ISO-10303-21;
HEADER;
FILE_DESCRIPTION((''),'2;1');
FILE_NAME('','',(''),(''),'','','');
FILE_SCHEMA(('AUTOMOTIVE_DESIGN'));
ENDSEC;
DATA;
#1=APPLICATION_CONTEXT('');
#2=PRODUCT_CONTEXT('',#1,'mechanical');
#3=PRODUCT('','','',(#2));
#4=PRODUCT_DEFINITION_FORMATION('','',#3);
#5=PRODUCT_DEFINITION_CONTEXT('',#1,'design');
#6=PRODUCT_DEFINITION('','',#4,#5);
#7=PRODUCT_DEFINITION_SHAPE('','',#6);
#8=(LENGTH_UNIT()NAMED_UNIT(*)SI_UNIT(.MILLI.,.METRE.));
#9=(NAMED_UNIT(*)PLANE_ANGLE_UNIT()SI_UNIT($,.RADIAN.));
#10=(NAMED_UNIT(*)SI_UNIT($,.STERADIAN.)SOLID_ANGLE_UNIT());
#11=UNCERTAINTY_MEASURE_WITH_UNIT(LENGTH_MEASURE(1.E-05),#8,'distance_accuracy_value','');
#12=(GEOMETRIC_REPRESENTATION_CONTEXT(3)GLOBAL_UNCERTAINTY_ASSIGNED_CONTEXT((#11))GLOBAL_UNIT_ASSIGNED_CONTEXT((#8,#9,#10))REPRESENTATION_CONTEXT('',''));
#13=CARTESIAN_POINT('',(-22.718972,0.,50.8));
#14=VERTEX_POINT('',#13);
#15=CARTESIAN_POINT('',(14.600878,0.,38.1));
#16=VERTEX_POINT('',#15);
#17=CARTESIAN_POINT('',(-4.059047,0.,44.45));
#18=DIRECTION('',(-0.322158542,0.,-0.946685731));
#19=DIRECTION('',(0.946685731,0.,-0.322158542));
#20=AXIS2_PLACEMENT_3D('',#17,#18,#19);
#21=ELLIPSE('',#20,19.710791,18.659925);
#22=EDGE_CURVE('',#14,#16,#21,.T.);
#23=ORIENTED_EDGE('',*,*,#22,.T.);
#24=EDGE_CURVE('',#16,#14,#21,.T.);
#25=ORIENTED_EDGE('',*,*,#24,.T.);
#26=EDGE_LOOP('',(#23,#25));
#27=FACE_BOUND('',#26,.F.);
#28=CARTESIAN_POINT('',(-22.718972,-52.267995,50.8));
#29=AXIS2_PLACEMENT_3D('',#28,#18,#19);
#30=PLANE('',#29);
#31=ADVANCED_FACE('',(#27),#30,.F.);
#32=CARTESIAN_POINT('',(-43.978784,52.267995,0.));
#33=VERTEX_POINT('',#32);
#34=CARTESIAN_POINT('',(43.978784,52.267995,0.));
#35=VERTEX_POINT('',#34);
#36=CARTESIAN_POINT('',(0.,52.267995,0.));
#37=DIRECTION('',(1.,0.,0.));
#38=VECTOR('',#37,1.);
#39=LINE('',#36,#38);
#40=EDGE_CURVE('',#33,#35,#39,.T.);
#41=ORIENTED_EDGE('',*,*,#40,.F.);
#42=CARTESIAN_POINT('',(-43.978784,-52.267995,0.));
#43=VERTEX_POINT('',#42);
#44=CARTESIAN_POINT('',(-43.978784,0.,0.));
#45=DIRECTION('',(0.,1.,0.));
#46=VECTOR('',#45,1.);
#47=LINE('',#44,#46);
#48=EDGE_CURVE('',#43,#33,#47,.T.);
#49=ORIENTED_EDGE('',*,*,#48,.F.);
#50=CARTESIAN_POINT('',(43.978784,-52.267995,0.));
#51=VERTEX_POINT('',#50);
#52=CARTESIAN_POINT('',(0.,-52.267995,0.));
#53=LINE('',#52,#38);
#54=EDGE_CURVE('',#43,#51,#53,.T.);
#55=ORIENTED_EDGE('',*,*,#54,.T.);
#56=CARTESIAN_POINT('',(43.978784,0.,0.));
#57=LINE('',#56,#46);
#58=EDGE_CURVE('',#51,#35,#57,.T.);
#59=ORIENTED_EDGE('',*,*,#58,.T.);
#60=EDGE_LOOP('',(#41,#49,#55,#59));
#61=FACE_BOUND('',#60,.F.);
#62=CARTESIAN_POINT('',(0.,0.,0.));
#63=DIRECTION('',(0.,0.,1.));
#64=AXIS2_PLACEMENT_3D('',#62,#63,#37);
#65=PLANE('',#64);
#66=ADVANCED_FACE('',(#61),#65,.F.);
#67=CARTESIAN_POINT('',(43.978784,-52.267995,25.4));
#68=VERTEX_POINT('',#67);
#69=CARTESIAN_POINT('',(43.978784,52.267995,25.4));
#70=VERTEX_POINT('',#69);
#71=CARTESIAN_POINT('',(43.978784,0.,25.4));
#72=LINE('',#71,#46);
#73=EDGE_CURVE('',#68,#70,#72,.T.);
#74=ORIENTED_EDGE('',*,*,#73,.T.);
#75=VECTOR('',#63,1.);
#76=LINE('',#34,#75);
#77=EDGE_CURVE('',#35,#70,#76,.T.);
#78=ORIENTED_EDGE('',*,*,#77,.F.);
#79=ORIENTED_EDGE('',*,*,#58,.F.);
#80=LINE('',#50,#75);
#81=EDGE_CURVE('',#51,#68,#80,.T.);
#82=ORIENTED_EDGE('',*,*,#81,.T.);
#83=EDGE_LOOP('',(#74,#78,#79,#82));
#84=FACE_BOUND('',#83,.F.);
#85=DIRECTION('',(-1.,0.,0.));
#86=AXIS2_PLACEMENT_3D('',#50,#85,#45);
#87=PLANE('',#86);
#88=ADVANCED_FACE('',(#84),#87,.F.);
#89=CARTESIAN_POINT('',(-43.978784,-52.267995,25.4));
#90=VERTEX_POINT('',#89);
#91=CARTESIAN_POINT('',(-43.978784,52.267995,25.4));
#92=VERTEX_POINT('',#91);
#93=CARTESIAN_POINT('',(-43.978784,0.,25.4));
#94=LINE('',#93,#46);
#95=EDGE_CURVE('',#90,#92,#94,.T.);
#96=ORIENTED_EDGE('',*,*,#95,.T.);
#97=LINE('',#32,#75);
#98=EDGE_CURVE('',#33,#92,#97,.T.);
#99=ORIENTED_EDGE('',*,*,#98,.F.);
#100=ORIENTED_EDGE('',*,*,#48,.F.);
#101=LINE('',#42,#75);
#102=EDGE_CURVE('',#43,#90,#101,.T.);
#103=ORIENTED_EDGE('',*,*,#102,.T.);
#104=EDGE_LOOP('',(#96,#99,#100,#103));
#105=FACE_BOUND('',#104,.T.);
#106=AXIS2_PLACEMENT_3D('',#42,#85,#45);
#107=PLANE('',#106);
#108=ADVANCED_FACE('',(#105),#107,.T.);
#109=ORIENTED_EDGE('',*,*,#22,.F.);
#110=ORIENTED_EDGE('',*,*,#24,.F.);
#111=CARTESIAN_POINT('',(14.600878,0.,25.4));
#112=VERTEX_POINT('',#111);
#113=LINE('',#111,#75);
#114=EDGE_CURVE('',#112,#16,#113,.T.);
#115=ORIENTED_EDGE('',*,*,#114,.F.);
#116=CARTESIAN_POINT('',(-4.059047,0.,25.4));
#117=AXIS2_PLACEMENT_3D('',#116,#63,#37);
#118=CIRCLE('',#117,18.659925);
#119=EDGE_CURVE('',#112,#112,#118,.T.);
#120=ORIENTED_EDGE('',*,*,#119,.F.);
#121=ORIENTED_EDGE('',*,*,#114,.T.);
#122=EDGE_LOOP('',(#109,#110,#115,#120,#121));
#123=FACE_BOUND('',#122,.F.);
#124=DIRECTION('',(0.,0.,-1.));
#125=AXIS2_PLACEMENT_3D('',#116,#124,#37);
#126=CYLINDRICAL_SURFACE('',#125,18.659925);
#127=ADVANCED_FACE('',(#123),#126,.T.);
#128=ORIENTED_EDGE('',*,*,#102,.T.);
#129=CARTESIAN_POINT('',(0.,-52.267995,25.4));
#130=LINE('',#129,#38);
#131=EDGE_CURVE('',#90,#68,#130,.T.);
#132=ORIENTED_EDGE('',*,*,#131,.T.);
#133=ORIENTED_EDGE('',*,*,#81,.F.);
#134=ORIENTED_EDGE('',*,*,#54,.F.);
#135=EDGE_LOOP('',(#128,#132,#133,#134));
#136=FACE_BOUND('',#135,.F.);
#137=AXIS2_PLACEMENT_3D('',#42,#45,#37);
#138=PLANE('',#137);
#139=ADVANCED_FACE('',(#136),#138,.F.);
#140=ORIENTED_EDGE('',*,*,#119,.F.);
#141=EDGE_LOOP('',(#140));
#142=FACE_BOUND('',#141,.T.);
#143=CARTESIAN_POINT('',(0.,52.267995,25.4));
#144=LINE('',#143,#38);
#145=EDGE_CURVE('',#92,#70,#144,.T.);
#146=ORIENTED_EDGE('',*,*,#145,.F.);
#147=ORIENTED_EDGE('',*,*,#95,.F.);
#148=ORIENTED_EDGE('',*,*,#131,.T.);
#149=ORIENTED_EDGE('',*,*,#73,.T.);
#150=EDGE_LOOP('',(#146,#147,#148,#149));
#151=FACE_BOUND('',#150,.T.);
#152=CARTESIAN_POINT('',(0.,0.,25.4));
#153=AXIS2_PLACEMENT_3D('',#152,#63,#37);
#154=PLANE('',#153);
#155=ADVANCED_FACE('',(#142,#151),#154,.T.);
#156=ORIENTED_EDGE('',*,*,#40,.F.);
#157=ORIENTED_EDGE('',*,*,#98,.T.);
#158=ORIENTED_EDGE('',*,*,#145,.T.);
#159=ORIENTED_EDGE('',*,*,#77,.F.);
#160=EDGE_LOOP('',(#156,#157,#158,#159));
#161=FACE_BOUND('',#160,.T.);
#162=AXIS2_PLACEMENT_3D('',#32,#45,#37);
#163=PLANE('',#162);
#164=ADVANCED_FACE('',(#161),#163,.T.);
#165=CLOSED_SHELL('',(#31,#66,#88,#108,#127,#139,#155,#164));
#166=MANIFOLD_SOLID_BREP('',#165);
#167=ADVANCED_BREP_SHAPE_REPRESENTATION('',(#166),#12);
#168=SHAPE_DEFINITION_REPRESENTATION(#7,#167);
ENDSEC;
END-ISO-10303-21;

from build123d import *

# Parameters (mm, degrees)
F0_W     = 87.957568
F0_H     = 104.53599
F1_DEPTH = 25.4
F2_R     = 18.659925
F3_DEPTH = 25.4
F5_DEPTH = 104.536989


with BuildPart() as f1:
    # F0 (on Top) → F1 (new body)
    with BuildSketch(Plane.XY):
        Rectangle(F0_W, F0_H)
    extrude(amount=F1_DEPTH)

    # F2 (on face) → F3 (join)
    with BuildSketch(Plane.XY.offset(25.4)):
        with Locations((-4.059047, 0)):
            Circle(F2_R)
    extrude(amount=F3_DEPTH)

    # F4 (on face) → F5 (cut, through all)
    with BuildSketch(Plane.XZ.offset(52.267995)):
        Polygon((14.600879, 50.8), (-22.718972, 50.8), (14.600879, 38.1), align=None)
    extrude(amount=-F5_DEPTH, mode=Mode.SUBTRACT)


solid = f1.part
